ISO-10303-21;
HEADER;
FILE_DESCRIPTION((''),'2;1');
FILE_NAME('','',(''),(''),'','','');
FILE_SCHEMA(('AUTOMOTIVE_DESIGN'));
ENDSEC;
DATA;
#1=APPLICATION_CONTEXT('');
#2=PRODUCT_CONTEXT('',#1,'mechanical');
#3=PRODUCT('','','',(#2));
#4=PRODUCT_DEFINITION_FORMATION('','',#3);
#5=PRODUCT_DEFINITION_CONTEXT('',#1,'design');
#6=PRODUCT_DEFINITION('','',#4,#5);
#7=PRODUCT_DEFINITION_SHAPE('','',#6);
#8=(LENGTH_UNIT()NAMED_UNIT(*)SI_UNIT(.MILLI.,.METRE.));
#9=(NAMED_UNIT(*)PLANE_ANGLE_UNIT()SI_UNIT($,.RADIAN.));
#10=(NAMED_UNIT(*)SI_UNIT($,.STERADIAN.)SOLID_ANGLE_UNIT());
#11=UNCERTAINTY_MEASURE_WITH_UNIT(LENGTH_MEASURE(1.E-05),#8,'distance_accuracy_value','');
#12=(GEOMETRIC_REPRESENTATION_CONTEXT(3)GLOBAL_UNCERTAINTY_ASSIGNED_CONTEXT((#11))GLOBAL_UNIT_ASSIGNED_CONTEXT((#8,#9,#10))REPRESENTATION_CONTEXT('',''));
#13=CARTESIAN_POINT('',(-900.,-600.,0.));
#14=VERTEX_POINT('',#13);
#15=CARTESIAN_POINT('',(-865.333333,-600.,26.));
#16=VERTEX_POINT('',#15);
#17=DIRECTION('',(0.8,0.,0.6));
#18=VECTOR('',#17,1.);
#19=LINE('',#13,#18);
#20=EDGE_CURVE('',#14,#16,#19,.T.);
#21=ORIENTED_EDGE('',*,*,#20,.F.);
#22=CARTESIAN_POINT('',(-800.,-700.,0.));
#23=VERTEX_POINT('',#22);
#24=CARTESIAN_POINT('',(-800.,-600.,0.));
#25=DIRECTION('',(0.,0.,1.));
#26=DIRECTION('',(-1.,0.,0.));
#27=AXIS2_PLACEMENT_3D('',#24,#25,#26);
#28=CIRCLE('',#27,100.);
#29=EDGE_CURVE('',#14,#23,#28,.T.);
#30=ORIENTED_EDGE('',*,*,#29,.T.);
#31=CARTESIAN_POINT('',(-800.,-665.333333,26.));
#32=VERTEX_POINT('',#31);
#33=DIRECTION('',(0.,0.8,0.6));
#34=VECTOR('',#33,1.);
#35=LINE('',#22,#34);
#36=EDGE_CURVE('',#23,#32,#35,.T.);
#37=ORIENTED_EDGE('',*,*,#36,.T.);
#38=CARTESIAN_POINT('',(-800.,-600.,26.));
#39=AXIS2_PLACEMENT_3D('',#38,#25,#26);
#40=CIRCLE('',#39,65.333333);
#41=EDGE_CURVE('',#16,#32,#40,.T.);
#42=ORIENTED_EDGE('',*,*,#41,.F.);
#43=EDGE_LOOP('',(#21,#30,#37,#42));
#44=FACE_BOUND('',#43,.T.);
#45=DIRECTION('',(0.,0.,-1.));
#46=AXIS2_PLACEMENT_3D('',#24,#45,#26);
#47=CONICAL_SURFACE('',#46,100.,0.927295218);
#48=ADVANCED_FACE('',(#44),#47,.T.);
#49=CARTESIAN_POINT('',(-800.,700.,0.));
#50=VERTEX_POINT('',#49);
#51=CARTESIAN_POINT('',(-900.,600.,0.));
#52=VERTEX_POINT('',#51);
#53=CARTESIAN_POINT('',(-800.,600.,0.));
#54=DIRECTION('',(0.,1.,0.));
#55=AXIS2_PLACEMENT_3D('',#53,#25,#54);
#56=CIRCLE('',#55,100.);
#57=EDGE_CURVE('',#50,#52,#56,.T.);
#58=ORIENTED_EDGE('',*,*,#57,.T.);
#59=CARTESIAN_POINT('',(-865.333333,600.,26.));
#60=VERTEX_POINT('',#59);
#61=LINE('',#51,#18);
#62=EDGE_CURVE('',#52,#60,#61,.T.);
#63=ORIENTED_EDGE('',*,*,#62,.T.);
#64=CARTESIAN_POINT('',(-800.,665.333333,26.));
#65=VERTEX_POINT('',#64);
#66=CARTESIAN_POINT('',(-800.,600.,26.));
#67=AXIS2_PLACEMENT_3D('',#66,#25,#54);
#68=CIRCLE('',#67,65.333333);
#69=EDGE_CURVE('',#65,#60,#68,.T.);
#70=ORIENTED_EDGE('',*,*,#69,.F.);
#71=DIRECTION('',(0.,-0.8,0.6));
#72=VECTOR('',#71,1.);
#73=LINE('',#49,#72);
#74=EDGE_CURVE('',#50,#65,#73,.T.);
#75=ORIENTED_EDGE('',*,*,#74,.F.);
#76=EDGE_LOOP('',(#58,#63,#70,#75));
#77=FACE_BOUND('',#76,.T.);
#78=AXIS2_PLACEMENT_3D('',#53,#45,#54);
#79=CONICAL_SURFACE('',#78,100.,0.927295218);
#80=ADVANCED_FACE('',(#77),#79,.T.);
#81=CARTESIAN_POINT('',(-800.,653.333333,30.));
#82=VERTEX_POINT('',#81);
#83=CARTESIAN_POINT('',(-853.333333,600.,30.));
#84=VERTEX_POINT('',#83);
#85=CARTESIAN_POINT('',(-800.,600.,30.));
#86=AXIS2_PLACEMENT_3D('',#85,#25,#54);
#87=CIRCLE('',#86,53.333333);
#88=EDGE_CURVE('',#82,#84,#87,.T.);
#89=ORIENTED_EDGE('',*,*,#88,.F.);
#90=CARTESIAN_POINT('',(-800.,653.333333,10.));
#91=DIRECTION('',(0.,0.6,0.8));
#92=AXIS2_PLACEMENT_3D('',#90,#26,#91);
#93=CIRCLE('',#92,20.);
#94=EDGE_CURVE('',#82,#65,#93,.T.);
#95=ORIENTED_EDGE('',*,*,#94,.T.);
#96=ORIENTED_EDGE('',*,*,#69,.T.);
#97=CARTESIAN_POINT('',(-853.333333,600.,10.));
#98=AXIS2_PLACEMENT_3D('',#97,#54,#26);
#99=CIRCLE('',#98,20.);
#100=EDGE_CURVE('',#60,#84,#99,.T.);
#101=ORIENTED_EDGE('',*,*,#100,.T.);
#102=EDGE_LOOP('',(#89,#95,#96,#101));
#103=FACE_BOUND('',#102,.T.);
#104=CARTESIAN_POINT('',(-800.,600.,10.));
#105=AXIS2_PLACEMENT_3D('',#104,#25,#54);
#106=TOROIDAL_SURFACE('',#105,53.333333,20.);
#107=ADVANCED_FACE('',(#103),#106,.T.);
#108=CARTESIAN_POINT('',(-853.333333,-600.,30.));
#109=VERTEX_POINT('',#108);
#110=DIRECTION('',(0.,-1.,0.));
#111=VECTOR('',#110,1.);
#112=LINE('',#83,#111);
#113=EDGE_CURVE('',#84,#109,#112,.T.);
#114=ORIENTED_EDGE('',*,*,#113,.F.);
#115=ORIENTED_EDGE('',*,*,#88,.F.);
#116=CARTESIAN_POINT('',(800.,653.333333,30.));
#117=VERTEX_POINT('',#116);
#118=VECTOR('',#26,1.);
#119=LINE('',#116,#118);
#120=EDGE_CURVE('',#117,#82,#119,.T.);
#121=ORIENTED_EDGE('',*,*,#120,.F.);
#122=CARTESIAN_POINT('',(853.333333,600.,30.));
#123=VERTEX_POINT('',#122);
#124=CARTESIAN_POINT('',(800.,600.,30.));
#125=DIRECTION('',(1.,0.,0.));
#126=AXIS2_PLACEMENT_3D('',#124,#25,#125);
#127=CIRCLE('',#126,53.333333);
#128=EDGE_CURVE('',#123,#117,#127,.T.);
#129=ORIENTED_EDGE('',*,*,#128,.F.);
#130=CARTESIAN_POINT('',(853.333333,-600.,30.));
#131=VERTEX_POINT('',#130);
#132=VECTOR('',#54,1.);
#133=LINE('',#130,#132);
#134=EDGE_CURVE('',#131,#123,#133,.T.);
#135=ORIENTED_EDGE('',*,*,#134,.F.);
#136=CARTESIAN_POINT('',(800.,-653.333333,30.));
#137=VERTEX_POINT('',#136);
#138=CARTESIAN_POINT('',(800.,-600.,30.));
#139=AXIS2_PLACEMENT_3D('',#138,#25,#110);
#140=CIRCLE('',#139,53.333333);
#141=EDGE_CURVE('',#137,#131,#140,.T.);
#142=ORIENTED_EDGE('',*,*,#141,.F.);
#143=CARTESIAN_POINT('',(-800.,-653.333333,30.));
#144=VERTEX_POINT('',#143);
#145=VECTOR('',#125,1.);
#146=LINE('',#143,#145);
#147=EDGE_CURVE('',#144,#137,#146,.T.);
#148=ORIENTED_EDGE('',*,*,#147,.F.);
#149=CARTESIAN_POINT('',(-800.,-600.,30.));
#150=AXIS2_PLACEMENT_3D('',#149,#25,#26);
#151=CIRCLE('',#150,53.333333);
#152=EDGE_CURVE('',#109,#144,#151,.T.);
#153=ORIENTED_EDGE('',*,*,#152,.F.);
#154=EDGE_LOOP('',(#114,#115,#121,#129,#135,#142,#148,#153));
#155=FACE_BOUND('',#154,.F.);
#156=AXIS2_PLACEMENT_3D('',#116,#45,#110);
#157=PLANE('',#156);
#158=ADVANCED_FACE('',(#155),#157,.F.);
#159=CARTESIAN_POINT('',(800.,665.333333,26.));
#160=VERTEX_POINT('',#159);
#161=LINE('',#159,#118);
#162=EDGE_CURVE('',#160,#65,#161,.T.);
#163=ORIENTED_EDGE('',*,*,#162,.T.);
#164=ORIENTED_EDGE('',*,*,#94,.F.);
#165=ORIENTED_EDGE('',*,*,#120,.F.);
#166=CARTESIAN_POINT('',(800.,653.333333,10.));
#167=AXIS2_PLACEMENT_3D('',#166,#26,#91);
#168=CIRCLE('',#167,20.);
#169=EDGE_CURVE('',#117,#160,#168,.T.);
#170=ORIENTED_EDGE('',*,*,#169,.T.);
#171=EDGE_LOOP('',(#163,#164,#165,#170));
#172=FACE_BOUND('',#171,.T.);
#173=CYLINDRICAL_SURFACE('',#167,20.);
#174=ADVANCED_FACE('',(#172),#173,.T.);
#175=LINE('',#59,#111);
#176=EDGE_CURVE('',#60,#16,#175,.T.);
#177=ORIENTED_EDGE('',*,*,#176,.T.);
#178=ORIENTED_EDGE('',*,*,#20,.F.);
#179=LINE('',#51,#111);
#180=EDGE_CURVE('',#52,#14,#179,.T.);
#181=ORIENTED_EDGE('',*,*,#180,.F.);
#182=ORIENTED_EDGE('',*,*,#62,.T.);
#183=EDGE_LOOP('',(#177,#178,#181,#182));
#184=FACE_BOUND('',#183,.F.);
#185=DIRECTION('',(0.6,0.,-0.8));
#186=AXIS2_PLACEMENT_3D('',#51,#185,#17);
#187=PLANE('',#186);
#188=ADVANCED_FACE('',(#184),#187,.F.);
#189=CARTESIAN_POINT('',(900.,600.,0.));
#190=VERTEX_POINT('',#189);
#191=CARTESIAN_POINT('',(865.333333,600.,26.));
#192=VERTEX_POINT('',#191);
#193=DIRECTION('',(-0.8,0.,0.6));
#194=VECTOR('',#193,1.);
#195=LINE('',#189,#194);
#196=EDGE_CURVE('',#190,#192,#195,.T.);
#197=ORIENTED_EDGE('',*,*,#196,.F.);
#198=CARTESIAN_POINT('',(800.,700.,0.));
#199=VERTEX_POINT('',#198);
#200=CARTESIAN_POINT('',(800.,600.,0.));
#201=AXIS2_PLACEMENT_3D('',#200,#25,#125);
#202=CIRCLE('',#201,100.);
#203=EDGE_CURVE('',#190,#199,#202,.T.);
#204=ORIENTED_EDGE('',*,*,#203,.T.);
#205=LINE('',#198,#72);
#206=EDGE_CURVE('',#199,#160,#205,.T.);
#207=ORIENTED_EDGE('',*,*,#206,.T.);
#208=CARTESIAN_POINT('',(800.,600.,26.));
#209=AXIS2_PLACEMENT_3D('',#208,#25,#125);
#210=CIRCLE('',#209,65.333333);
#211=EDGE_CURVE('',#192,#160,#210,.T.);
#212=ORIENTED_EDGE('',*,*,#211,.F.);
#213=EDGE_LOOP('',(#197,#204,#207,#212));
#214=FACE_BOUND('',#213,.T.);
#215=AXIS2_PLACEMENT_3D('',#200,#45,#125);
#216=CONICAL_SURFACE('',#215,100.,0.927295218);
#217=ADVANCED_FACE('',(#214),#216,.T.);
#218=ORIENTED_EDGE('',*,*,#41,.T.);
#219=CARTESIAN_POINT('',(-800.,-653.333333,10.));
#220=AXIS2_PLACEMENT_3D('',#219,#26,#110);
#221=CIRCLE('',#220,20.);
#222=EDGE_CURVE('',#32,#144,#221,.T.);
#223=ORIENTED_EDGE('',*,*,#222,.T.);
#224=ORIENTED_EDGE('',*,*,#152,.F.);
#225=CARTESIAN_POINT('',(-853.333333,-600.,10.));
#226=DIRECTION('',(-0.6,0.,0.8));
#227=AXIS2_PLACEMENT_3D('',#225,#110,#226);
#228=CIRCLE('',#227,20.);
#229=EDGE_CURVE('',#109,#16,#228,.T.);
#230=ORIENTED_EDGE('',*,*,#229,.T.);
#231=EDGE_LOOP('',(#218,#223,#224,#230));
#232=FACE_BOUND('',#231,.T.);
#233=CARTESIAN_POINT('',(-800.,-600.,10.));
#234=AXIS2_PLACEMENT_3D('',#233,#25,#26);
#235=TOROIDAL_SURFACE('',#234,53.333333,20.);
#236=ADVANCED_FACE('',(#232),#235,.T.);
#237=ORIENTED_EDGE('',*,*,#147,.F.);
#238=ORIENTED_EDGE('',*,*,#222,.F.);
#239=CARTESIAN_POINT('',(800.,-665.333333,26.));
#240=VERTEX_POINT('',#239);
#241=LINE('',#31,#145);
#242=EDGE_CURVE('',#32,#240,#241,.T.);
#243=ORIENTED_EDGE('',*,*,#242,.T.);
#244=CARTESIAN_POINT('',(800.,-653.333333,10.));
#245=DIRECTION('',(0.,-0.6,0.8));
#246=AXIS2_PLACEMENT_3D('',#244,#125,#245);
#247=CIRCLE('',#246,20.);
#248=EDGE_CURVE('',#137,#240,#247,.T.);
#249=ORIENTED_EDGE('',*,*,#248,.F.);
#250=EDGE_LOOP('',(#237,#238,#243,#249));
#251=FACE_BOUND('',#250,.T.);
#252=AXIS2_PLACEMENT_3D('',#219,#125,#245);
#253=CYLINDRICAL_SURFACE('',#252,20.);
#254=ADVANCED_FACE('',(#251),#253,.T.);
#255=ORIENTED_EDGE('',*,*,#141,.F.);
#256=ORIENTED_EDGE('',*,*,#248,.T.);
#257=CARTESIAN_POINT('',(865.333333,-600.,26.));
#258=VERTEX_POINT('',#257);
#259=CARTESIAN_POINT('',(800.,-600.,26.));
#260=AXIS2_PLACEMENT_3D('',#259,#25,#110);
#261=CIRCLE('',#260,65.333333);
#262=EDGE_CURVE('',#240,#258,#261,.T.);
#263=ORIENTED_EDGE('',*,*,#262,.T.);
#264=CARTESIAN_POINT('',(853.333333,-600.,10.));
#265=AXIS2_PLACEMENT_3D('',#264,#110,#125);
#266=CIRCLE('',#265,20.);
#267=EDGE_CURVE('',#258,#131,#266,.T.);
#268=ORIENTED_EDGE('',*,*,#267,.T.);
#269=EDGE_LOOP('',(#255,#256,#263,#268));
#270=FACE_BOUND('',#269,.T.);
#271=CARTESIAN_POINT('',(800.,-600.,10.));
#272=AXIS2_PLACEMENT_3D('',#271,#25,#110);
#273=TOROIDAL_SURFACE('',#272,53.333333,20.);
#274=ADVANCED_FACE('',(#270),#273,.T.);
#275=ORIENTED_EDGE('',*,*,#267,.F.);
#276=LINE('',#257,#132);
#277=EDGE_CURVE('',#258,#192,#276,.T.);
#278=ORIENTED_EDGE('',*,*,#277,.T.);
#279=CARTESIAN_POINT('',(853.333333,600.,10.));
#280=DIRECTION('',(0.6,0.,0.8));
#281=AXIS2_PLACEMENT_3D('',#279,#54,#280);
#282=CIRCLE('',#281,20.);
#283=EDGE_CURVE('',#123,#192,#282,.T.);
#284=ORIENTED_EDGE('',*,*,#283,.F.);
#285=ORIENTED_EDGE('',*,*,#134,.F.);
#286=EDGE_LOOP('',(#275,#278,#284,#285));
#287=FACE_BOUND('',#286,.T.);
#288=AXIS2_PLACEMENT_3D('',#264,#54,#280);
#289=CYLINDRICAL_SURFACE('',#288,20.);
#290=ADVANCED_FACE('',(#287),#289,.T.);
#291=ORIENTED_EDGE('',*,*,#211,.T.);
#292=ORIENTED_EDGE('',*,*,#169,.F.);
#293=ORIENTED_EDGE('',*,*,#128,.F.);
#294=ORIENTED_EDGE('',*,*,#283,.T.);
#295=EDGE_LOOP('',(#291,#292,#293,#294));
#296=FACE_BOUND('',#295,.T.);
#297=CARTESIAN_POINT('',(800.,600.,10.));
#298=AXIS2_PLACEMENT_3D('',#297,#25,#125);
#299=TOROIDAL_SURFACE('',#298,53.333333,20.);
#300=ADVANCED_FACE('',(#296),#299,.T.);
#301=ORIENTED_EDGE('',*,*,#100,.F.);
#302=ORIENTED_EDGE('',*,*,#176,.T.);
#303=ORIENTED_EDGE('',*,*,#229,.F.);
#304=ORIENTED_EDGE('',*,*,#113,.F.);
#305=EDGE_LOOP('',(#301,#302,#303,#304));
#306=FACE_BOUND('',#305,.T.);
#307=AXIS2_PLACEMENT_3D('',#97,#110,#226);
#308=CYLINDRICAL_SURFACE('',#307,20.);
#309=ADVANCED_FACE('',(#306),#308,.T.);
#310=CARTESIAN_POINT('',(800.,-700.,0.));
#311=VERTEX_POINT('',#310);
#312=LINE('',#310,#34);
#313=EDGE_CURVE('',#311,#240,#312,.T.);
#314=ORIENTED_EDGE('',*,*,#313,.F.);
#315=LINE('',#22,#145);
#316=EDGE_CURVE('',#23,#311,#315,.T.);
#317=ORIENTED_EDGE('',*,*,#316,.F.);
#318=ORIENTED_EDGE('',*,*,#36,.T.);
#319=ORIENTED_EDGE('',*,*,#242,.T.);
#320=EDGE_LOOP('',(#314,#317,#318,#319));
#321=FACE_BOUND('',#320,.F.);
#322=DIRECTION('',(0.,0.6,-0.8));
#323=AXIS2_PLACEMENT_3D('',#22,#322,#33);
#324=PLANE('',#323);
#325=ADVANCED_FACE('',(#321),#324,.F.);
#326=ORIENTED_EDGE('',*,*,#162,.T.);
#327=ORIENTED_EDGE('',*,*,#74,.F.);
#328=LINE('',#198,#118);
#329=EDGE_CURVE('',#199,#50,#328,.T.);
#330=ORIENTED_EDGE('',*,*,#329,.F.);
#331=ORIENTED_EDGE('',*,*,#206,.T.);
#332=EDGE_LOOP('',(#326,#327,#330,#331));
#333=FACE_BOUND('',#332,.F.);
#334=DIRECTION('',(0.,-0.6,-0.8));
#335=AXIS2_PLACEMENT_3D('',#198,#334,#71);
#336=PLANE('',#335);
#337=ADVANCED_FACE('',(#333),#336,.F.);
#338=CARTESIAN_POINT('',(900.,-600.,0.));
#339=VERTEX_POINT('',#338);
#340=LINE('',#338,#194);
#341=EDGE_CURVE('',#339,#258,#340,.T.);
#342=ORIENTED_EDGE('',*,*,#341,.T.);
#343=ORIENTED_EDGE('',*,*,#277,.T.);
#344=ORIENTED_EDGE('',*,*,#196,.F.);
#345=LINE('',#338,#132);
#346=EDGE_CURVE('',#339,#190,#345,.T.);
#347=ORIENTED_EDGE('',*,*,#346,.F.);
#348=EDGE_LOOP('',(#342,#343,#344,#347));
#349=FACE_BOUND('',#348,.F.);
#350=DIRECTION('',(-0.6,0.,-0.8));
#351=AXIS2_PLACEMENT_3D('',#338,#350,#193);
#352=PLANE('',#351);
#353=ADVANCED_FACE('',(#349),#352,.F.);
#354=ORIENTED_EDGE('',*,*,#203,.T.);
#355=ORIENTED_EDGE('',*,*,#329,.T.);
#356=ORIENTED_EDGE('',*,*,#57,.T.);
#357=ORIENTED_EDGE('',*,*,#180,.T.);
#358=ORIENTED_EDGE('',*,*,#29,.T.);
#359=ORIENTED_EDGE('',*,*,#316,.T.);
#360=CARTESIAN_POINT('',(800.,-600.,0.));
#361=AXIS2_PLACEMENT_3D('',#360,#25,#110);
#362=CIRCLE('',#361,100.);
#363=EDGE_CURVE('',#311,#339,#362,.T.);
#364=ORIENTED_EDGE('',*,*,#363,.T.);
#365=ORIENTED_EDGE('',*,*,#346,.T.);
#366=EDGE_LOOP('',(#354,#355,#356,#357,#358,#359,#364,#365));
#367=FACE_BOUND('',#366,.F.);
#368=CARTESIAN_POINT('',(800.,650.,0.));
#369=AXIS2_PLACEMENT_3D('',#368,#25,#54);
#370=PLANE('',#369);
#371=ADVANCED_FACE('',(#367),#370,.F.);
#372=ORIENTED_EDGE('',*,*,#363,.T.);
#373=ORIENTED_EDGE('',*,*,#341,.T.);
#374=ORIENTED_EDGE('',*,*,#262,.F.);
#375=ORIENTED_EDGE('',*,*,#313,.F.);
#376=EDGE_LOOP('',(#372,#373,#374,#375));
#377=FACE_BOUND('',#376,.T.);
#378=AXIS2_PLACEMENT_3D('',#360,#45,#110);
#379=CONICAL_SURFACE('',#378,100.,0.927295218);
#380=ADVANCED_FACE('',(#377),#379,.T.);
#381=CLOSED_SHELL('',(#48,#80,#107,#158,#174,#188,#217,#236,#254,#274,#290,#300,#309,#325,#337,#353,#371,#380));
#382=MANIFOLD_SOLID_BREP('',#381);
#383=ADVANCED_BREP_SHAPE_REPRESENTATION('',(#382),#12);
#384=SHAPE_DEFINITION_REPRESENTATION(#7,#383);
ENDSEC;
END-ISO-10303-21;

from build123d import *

# Parameters (mm, degrees)
F0_W     = 1700
F0_H     = 1300
F1_DEPTH = 30
F2_R     = 50


with BuildPart() as f1:
    # F0 (on Top) → F1 (new body)
    with BuildSketch(Plane.XY):
        Rectangle(F0_W, F0_H)
    extrude(amount=F1_DEPTH)

    # F2
    f2_edges = [f1.edges().sort_by_distance(p)[0] for p in [
        (-850, -650, 15),
        (-850, 650, 15),
        (850, -650, 15),
        (850, 650, 15),
    ]]
    fillet(f2_edges, radius=F2_R)

    # F6: sweep along a path in F5
    with BuildLine(Plane.XY.offset(30)) as f6_path:
        Line((800, 650), (-800, 650))
        ThreePointArc((-800, 650), (-835.3553390593, 635.3553390593), (-850, 600))
        Line((-850, 600), (-850, -600))
        ThreePointArc((-850, -600), (-835.3553390593, -635.3553390593), (-800, -650))
        Line((-800, -650), (800, -650))
        ThreePointArc((800, -650), (835.3553390593, -635.3553390593), (850, -600))
        Line((850, -600), (850, 600))
        ThreePointArc((850, 600), (835.3553390593, 635.3553390593), (800, 650))
    # F4 (on offset) → F6 (sweep)
    with BuildSketch(Plane.XZ.offset(600)):
        with BuildLine():
            Line((853.3333333333, 30), (850, 30))
            Line((850, 30), (850, 0))
            Line((850, 0), (900, 0))
            Line((900, 0), (865.3333333333, 26))
            ThreePointArc((865.3333333333, 26), (859.6578886537, 28.973665961), (853.3333333333, 30))
        make_face()
    sweep(path=f6_path.line)


solid = f1.part
